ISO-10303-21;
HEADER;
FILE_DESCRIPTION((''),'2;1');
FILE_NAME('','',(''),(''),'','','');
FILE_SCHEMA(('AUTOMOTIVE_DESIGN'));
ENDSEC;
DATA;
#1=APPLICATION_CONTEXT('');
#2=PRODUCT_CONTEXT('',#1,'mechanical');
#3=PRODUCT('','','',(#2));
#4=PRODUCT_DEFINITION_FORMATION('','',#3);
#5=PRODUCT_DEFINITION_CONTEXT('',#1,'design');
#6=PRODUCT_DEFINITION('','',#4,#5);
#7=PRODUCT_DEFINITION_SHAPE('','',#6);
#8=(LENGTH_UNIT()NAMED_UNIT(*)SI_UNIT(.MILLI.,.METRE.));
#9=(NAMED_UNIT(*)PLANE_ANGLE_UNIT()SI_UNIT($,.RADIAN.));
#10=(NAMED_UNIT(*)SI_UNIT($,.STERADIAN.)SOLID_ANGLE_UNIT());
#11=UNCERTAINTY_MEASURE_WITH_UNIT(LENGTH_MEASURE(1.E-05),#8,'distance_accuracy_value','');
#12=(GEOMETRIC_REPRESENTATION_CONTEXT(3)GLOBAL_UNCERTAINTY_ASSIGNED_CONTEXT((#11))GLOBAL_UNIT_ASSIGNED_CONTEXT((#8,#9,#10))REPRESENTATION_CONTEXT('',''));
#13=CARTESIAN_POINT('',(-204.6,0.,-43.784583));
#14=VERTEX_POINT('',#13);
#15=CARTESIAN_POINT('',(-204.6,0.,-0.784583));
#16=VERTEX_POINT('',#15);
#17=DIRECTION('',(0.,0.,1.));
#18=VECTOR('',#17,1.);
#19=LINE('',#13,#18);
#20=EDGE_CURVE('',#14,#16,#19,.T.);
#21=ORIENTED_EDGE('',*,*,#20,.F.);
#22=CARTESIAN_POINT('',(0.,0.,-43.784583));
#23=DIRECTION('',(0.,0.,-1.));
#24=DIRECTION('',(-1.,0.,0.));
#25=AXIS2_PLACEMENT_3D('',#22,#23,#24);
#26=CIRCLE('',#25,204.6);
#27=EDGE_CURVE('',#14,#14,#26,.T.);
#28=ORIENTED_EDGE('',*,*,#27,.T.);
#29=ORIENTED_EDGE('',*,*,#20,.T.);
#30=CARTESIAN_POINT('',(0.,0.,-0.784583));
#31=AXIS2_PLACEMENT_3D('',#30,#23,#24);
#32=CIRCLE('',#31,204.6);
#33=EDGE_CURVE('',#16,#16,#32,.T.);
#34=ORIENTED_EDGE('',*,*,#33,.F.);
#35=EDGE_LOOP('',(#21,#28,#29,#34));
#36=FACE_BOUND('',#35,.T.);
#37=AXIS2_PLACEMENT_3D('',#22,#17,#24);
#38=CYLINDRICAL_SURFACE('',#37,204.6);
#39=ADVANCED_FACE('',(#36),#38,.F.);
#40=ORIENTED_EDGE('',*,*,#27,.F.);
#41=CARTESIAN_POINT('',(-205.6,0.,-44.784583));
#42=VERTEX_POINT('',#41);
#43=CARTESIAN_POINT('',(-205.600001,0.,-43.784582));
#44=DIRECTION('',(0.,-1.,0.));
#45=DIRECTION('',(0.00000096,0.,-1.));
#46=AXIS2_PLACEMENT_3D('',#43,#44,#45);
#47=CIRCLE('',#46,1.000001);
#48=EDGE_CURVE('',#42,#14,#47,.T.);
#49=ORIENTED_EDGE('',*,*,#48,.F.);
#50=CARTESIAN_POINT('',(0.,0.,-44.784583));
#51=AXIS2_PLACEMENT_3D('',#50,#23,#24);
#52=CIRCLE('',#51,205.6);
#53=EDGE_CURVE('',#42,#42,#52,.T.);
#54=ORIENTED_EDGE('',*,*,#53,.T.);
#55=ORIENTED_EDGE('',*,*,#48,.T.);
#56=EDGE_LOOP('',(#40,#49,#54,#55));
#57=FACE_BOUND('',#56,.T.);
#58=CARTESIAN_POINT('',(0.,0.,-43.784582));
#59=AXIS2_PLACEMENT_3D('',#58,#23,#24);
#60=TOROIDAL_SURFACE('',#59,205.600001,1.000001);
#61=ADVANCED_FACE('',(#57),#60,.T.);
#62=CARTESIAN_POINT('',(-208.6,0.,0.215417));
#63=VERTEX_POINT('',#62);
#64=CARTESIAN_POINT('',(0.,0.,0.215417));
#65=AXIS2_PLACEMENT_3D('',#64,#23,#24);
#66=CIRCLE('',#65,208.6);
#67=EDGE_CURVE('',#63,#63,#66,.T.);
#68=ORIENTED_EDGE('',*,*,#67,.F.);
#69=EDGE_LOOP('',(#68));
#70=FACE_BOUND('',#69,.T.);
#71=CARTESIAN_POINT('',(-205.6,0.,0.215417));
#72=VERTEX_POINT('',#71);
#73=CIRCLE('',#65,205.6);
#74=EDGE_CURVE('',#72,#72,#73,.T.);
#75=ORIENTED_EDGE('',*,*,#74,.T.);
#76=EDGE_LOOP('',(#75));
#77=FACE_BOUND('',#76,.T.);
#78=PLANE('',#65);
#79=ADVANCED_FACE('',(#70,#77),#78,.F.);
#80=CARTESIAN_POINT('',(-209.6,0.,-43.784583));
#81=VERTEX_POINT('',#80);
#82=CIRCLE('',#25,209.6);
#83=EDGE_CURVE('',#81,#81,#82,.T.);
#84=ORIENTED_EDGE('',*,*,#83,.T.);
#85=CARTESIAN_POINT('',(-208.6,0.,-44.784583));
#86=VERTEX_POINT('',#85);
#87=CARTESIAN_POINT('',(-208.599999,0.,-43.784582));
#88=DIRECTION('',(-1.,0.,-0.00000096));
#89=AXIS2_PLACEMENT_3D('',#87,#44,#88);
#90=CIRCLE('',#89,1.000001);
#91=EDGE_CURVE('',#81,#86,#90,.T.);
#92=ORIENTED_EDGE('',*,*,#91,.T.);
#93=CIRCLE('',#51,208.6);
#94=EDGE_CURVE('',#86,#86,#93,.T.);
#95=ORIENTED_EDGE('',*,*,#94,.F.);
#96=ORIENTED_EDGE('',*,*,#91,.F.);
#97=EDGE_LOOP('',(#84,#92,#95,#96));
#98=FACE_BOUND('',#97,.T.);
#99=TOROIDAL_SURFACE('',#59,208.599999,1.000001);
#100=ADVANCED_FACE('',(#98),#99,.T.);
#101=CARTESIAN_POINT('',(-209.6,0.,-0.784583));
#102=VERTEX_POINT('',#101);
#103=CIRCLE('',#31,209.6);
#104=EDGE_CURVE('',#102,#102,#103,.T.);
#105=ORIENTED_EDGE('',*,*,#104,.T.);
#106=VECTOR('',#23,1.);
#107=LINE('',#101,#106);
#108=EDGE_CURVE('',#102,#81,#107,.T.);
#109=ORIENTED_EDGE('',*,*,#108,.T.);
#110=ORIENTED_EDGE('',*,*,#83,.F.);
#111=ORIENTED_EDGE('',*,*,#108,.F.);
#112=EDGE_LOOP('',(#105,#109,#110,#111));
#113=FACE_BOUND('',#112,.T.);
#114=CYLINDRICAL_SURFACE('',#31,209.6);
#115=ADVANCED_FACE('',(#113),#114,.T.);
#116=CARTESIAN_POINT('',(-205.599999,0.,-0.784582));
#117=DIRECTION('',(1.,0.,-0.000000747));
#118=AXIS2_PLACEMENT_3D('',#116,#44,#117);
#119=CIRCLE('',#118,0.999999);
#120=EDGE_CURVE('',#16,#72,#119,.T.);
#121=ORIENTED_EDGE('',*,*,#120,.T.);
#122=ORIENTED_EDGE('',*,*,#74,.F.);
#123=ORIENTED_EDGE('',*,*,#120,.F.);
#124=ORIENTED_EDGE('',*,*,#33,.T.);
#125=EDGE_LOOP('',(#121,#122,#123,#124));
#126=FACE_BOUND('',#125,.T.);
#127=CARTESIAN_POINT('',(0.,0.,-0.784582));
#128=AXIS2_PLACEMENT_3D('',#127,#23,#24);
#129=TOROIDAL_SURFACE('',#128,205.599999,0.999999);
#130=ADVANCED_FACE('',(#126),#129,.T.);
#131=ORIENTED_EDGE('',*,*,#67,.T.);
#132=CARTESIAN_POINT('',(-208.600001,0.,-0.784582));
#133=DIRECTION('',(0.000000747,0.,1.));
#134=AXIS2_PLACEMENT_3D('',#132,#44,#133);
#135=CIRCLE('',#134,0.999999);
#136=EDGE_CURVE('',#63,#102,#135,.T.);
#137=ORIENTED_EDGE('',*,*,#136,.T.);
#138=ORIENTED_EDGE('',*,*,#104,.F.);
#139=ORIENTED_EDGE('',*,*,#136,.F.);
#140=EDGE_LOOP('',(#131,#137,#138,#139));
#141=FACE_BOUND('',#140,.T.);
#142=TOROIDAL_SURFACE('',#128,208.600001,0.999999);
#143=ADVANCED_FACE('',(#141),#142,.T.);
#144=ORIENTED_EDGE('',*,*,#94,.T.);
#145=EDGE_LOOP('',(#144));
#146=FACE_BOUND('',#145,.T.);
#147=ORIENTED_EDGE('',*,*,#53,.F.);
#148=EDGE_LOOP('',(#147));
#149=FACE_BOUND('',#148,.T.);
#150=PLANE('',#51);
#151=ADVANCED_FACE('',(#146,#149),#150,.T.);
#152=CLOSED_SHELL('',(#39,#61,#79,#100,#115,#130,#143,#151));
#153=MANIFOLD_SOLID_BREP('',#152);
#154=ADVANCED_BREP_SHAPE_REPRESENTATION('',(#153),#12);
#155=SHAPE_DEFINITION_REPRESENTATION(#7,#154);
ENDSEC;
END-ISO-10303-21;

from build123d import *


with BuildPart() as f1:
    # F0 (on Front) → F1 (revolve)
    with BuildSketch(Plane.XZ):
        with BuildLine():
            Line((-205.6, 0.215417), (-208.6, 0.215417))
            ThreePointArc((-208.6, 0.215417), (-209.307107, -0.077476), (-209.6, -0.784583))
            Line((-209.6, -0.784583), (-209.6, -43.784583))
            ThreePointArc((-209.6, -43.784583), (-209.307107, -44.491689), (-208.6, -44.784583))
            Line((-208.6, -44.784583), (-205.6, -44.784583))
            ThreePointArc((-205.6, -44.784583), (-204.892893, -44.491689), (-204.6, -43.784583))
            Line((-204.6, -43.784583), (-204.6, -0.784583))
            ThreePointArc((-204.6, -0.784583), (-204.892893, -0.077476), (-205.6, 0.215417))
        make_face()
    revolve(axis=Axis((0, 0, -2.723343), (0, 0, -1)))


solid = f1.part
